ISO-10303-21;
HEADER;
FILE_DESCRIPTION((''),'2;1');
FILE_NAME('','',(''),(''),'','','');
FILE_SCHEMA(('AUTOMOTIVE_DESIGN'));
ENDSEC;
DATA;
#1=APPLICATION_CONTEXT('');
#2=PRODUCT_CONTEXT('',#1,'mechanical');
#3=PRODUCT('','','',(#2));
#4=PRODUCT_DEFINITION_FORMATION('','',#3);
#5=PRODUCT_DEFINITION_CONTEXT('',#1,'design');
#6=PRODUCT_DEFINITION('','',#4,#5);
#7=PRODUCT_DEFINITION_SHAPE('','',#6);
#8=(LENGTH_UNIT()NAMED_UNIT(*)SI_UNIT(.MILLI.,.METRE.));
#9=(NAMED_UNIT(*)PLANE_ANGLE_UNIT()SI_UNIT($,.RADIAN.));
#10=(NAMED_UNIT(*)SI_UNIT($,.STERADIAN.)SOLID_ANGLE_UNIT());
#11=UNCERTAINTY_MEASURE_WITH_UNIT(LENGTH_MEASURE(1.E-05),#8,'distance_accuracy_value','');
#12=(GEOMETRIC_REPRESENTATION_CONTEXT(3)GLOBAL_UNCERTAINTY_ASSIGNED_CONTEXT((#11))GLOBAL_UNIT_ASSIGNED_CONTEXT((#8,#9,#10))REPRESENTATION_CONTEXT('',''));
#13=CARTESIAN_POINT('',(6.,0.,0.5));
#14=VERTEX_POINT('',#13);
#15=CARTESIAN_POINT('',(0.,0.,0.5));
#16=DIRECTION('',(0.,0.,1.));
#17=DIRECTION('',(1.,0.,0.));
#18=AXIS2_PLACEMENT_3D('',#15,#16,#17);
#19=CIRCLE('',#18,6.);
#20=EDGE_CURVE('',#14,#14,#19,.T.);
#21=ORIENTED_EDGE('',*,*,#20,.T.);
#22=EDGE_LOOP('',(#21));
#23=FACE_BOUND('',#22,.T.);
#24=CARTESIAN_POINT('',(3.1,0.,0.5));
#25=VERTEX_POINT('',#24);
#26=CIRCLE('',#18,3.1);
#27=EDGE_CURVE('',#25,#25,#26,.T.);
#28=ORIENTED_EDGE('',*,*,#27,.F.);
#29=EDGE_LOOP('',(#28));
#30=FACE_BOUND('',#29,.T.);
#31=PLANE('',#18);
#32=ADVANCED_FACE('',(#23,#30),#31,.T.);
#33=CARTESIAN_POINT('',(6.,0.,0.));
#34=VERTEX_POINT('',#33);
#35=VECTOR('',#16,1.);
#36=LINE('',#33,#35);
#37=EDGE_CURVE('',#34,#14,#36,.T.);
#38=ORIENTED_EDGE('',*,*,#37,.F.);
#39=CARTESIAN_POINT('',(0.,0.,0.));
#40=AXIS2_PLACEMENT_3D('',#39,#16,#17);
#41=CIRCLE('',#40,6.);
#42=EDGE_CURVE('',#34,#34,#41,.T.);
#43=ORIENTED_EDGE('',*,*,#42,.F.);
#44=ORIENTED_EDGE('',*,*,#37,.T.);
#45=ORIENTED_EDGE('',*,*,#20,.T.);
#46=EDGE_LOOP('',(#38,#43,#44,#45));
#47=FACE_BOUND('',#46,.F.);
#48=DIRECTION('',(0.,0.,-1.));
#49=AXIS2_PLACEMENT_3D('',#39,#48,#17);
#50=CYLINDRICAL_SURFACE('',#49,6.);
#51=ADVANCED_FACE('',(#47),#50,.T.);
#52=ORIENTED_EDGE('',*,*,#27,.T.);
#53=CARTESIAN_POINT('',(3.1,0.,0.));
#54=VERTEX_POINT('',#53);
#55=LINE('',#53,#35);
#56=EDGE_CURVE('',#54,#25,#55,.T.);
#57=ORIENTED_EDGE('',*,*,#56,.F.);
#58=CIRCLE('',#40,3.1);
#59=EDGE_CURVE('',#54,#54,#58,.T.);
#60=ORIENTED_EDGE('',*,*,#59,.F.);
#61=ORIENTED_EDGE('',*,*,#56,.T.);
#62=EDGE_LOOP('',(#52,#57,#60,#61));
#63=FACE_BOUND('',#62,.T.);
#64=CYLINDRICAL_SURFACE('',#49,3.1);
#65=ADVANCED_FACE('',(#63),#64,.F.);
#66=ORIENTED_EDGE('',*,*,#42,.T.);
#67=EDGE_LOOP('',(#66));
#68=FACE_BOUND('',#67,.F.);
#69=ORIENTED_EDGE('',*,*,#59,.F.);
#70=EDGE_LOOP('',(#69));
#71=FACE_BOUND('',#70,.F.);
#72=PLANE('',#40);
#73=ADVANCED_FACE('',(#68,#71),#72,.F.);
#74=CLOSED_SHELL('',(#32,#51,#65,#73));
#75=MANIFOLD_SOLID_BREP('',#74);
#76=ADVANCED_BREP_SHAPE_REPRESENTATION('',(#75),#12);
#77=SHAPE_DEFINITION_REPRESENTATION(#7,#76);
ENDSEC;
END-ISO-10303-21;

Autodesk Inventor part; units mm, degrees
ref_plane "YZ Plane" through (0, 0, 0) normal (1, 0, 0) x (0, 1, 0)
ref_plane "XZ Plane" through (0, 0, 0) normal (0, 1, 0) x (-1, 0, 0)
ref_plane "XY Plane" through (0, 0, 0) normal (0, 0, 1) x (1, 0, 0)
sketch "スケッチ1" plane through (0, 0, 0) normal (0, 0, 1) x (1, 0, 0)
  circle A0 centre (0, 0) radius 3.1
  circle A1 centre (0, 0) radius 6
  dimension "d0" = 6.2
  dimension "d1" = 12
extrude "押し出し1" add sketch "スケッチ1" along normal blind 0.5
properties part number "UUW-0612-05BH" material "ステンレス鋼 AISI 304"
